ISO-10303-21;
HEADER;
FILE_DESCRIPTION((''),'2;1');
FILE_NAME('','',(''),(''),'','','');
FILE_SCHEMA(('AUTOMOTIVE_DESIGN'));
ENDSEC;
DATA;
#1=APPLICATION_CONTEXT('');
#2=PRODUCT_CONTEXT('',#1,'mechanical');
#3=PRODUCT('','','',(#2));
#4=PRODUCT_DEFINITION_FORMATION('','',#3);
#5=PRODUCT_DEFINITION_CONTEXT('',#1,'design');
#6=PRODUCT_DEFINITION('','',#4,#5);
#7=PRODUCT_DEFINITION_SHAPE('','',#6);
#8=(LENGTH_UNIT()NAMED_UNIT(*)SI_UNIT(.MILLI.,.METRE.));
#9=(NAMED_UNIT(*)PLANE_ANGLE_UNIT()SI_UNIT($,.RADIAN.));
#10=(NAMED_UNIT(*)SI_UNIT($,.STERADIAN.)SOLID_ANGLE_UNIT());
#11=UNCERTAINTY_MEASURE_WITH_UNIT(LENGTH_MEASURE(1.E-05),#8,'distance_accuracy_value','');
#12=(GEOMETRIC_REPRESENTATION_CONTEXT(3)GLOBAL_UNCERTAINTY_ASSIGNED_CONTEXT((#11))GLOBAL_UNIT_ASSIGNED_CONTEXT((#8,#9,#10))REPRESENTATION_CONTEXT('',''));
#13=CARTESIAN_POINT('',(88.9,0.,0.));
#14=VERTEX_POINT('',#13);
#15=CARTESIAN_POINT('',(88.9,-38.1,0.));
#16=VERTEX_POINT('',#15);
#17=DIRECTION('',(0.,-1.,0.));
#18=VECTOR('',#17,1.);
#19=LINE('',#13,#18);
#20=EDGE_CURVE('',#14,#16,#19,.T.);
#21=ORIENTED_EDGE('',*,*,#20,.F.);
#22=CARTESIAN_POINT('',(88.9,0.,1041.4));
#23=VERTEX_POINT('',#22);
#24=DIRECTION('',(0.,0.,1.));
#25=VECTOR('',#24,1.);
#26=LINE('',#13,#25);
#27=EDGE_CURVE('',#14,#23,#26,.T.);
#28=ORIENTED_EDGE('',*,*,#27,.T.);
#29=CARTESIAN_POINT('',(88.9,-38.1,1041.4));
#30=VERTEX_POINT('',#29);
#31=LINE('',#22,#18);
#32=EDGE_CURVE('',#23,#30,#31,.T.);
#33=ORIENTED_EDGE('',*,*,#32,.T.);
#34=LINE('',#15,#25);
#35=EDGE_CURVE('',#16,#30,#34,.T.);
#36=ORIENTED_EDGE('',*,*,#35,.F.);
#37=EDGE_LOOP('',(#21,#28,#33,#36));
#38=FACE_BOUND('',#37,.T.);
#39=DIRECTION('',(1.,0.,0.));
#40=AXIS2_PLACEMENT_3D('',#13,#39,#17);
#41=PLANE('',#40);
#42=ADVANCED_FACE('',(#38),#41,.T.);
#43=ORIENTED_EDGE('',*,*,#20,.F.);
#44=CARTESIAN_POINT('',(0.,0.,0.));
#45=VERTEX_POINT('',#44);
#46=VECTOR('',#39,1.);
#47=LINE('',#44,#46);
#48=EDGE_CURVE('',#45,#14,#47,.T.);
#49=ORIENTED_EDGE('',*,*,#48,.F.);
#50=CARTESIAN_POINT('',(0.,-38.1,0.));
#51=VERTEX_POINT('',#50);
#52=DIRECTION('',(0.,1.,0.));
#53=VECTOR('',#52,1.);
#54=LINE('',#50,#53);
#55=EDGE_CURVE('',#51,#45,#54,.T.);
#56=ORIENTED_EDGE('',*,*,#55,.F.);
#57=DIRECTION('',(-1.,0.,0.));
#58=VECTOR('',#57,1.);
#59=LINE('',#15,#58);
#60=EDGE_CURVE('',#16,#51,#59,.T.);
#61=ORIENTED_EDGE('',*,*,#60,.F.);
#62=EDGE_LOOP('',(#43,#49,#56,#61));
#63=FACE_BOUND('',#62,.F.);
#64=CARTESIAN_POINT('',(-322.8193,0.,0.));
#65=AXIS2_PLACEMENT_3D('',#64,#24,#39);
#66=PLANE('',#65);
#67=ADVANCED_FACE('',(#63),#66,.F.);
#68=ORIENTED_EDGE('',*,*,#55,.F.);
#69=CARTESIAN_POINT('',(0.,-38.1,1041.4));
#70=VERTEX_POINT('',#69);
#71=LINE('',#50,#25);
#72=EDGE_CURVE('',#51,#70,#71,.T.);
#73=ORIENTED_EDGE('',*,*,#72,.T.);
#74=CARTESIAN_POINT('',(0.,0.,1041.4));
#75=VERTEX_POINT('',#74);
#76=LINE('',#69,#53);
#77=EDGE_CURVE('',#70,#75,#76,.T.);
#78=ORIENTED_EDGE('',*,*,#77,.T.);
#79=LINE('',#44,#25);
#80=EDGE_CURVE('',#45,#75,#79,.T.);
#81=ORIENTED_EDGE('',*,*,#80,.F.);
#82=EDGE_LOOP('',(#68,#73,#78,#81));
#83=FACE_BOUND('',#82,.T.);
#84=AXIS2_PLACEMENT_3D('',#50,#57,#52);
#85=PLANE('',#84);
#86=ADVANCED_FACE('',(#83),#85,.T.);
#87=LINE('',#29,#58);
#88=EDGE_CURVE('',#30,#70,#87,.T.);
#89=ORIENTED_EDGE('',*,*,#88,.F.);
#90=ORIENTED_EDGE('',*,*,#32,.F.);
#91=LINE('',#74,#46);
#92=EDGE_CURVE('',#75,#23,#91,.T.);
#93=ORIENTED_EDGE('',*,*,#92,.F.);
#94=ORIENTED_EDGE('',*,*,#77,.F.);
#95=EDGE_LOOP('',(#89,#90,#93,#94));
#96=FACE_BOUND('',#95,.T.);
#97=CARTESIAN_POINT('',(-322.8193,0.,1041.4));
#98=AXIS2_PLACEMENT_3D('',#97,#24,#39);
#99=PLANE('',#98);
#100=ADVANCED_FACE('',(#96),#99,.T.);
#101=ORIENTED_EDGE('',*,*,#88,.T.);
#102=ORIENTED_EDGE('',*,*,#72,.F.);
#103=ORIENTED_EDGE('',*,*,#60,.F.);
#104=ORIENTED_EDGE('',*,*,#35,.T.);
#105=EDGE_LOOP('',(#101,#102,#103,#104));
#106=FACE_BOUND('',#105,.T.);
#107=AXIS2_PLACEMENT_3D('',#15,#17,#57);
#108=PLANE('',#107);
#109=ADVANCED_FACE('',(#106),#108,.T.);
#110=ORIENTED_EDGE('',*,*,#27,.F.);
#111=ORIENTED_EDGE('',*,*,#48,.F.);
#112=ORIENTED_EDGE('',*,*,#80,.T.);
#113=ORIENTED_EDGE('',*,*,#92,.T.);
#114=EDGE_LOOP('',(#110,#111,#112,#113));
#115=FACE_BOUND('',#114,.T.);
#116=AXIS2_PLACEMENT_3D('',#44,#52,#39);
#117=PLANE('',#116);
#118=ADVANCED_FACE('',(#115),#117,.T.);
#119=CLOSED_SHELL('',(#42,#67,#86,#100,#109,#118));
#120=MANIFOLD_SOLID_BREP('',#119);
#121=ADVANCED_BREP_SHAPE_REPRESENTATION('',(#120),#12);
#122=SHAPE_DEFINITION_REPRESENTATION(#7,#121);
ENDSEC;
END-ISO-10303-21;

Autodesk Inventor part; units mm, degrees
ref_plane "YZ Plane" through (0, 0, 0) normal (1, 0, 0) x (0, 1, 0)
ref_plane "XZ Plane" through (0, 0, 0) normal (0, 1, 0) x (-1, 0, 0)
ref_plane "Work Plane1" through (-322.8193, 0, 0) normal (0, 0, 1) x (1, 0, 0)
sketch "Sketch1" plane through (-322.8193, 0, 0) normal (0, 0, 1) x (1, 0, 0)
  line L0 (322.8193, 0) -> (411.7193, 0)
  line L1 (411.7193, 0) -> (411.7193, -38.1)
  line L2 (411.7193, -38.1) -> (322.8193, -38.1)
  line L3 (322.8193, -38.1) -> (322.8193, 0)
  dimension "d0" = 38.1
  dimension "d1" = 88.9
extrude "Extrusion1" add sketch "Sketch1" along normal blind 1041.4
properties part number "2x4x42"
